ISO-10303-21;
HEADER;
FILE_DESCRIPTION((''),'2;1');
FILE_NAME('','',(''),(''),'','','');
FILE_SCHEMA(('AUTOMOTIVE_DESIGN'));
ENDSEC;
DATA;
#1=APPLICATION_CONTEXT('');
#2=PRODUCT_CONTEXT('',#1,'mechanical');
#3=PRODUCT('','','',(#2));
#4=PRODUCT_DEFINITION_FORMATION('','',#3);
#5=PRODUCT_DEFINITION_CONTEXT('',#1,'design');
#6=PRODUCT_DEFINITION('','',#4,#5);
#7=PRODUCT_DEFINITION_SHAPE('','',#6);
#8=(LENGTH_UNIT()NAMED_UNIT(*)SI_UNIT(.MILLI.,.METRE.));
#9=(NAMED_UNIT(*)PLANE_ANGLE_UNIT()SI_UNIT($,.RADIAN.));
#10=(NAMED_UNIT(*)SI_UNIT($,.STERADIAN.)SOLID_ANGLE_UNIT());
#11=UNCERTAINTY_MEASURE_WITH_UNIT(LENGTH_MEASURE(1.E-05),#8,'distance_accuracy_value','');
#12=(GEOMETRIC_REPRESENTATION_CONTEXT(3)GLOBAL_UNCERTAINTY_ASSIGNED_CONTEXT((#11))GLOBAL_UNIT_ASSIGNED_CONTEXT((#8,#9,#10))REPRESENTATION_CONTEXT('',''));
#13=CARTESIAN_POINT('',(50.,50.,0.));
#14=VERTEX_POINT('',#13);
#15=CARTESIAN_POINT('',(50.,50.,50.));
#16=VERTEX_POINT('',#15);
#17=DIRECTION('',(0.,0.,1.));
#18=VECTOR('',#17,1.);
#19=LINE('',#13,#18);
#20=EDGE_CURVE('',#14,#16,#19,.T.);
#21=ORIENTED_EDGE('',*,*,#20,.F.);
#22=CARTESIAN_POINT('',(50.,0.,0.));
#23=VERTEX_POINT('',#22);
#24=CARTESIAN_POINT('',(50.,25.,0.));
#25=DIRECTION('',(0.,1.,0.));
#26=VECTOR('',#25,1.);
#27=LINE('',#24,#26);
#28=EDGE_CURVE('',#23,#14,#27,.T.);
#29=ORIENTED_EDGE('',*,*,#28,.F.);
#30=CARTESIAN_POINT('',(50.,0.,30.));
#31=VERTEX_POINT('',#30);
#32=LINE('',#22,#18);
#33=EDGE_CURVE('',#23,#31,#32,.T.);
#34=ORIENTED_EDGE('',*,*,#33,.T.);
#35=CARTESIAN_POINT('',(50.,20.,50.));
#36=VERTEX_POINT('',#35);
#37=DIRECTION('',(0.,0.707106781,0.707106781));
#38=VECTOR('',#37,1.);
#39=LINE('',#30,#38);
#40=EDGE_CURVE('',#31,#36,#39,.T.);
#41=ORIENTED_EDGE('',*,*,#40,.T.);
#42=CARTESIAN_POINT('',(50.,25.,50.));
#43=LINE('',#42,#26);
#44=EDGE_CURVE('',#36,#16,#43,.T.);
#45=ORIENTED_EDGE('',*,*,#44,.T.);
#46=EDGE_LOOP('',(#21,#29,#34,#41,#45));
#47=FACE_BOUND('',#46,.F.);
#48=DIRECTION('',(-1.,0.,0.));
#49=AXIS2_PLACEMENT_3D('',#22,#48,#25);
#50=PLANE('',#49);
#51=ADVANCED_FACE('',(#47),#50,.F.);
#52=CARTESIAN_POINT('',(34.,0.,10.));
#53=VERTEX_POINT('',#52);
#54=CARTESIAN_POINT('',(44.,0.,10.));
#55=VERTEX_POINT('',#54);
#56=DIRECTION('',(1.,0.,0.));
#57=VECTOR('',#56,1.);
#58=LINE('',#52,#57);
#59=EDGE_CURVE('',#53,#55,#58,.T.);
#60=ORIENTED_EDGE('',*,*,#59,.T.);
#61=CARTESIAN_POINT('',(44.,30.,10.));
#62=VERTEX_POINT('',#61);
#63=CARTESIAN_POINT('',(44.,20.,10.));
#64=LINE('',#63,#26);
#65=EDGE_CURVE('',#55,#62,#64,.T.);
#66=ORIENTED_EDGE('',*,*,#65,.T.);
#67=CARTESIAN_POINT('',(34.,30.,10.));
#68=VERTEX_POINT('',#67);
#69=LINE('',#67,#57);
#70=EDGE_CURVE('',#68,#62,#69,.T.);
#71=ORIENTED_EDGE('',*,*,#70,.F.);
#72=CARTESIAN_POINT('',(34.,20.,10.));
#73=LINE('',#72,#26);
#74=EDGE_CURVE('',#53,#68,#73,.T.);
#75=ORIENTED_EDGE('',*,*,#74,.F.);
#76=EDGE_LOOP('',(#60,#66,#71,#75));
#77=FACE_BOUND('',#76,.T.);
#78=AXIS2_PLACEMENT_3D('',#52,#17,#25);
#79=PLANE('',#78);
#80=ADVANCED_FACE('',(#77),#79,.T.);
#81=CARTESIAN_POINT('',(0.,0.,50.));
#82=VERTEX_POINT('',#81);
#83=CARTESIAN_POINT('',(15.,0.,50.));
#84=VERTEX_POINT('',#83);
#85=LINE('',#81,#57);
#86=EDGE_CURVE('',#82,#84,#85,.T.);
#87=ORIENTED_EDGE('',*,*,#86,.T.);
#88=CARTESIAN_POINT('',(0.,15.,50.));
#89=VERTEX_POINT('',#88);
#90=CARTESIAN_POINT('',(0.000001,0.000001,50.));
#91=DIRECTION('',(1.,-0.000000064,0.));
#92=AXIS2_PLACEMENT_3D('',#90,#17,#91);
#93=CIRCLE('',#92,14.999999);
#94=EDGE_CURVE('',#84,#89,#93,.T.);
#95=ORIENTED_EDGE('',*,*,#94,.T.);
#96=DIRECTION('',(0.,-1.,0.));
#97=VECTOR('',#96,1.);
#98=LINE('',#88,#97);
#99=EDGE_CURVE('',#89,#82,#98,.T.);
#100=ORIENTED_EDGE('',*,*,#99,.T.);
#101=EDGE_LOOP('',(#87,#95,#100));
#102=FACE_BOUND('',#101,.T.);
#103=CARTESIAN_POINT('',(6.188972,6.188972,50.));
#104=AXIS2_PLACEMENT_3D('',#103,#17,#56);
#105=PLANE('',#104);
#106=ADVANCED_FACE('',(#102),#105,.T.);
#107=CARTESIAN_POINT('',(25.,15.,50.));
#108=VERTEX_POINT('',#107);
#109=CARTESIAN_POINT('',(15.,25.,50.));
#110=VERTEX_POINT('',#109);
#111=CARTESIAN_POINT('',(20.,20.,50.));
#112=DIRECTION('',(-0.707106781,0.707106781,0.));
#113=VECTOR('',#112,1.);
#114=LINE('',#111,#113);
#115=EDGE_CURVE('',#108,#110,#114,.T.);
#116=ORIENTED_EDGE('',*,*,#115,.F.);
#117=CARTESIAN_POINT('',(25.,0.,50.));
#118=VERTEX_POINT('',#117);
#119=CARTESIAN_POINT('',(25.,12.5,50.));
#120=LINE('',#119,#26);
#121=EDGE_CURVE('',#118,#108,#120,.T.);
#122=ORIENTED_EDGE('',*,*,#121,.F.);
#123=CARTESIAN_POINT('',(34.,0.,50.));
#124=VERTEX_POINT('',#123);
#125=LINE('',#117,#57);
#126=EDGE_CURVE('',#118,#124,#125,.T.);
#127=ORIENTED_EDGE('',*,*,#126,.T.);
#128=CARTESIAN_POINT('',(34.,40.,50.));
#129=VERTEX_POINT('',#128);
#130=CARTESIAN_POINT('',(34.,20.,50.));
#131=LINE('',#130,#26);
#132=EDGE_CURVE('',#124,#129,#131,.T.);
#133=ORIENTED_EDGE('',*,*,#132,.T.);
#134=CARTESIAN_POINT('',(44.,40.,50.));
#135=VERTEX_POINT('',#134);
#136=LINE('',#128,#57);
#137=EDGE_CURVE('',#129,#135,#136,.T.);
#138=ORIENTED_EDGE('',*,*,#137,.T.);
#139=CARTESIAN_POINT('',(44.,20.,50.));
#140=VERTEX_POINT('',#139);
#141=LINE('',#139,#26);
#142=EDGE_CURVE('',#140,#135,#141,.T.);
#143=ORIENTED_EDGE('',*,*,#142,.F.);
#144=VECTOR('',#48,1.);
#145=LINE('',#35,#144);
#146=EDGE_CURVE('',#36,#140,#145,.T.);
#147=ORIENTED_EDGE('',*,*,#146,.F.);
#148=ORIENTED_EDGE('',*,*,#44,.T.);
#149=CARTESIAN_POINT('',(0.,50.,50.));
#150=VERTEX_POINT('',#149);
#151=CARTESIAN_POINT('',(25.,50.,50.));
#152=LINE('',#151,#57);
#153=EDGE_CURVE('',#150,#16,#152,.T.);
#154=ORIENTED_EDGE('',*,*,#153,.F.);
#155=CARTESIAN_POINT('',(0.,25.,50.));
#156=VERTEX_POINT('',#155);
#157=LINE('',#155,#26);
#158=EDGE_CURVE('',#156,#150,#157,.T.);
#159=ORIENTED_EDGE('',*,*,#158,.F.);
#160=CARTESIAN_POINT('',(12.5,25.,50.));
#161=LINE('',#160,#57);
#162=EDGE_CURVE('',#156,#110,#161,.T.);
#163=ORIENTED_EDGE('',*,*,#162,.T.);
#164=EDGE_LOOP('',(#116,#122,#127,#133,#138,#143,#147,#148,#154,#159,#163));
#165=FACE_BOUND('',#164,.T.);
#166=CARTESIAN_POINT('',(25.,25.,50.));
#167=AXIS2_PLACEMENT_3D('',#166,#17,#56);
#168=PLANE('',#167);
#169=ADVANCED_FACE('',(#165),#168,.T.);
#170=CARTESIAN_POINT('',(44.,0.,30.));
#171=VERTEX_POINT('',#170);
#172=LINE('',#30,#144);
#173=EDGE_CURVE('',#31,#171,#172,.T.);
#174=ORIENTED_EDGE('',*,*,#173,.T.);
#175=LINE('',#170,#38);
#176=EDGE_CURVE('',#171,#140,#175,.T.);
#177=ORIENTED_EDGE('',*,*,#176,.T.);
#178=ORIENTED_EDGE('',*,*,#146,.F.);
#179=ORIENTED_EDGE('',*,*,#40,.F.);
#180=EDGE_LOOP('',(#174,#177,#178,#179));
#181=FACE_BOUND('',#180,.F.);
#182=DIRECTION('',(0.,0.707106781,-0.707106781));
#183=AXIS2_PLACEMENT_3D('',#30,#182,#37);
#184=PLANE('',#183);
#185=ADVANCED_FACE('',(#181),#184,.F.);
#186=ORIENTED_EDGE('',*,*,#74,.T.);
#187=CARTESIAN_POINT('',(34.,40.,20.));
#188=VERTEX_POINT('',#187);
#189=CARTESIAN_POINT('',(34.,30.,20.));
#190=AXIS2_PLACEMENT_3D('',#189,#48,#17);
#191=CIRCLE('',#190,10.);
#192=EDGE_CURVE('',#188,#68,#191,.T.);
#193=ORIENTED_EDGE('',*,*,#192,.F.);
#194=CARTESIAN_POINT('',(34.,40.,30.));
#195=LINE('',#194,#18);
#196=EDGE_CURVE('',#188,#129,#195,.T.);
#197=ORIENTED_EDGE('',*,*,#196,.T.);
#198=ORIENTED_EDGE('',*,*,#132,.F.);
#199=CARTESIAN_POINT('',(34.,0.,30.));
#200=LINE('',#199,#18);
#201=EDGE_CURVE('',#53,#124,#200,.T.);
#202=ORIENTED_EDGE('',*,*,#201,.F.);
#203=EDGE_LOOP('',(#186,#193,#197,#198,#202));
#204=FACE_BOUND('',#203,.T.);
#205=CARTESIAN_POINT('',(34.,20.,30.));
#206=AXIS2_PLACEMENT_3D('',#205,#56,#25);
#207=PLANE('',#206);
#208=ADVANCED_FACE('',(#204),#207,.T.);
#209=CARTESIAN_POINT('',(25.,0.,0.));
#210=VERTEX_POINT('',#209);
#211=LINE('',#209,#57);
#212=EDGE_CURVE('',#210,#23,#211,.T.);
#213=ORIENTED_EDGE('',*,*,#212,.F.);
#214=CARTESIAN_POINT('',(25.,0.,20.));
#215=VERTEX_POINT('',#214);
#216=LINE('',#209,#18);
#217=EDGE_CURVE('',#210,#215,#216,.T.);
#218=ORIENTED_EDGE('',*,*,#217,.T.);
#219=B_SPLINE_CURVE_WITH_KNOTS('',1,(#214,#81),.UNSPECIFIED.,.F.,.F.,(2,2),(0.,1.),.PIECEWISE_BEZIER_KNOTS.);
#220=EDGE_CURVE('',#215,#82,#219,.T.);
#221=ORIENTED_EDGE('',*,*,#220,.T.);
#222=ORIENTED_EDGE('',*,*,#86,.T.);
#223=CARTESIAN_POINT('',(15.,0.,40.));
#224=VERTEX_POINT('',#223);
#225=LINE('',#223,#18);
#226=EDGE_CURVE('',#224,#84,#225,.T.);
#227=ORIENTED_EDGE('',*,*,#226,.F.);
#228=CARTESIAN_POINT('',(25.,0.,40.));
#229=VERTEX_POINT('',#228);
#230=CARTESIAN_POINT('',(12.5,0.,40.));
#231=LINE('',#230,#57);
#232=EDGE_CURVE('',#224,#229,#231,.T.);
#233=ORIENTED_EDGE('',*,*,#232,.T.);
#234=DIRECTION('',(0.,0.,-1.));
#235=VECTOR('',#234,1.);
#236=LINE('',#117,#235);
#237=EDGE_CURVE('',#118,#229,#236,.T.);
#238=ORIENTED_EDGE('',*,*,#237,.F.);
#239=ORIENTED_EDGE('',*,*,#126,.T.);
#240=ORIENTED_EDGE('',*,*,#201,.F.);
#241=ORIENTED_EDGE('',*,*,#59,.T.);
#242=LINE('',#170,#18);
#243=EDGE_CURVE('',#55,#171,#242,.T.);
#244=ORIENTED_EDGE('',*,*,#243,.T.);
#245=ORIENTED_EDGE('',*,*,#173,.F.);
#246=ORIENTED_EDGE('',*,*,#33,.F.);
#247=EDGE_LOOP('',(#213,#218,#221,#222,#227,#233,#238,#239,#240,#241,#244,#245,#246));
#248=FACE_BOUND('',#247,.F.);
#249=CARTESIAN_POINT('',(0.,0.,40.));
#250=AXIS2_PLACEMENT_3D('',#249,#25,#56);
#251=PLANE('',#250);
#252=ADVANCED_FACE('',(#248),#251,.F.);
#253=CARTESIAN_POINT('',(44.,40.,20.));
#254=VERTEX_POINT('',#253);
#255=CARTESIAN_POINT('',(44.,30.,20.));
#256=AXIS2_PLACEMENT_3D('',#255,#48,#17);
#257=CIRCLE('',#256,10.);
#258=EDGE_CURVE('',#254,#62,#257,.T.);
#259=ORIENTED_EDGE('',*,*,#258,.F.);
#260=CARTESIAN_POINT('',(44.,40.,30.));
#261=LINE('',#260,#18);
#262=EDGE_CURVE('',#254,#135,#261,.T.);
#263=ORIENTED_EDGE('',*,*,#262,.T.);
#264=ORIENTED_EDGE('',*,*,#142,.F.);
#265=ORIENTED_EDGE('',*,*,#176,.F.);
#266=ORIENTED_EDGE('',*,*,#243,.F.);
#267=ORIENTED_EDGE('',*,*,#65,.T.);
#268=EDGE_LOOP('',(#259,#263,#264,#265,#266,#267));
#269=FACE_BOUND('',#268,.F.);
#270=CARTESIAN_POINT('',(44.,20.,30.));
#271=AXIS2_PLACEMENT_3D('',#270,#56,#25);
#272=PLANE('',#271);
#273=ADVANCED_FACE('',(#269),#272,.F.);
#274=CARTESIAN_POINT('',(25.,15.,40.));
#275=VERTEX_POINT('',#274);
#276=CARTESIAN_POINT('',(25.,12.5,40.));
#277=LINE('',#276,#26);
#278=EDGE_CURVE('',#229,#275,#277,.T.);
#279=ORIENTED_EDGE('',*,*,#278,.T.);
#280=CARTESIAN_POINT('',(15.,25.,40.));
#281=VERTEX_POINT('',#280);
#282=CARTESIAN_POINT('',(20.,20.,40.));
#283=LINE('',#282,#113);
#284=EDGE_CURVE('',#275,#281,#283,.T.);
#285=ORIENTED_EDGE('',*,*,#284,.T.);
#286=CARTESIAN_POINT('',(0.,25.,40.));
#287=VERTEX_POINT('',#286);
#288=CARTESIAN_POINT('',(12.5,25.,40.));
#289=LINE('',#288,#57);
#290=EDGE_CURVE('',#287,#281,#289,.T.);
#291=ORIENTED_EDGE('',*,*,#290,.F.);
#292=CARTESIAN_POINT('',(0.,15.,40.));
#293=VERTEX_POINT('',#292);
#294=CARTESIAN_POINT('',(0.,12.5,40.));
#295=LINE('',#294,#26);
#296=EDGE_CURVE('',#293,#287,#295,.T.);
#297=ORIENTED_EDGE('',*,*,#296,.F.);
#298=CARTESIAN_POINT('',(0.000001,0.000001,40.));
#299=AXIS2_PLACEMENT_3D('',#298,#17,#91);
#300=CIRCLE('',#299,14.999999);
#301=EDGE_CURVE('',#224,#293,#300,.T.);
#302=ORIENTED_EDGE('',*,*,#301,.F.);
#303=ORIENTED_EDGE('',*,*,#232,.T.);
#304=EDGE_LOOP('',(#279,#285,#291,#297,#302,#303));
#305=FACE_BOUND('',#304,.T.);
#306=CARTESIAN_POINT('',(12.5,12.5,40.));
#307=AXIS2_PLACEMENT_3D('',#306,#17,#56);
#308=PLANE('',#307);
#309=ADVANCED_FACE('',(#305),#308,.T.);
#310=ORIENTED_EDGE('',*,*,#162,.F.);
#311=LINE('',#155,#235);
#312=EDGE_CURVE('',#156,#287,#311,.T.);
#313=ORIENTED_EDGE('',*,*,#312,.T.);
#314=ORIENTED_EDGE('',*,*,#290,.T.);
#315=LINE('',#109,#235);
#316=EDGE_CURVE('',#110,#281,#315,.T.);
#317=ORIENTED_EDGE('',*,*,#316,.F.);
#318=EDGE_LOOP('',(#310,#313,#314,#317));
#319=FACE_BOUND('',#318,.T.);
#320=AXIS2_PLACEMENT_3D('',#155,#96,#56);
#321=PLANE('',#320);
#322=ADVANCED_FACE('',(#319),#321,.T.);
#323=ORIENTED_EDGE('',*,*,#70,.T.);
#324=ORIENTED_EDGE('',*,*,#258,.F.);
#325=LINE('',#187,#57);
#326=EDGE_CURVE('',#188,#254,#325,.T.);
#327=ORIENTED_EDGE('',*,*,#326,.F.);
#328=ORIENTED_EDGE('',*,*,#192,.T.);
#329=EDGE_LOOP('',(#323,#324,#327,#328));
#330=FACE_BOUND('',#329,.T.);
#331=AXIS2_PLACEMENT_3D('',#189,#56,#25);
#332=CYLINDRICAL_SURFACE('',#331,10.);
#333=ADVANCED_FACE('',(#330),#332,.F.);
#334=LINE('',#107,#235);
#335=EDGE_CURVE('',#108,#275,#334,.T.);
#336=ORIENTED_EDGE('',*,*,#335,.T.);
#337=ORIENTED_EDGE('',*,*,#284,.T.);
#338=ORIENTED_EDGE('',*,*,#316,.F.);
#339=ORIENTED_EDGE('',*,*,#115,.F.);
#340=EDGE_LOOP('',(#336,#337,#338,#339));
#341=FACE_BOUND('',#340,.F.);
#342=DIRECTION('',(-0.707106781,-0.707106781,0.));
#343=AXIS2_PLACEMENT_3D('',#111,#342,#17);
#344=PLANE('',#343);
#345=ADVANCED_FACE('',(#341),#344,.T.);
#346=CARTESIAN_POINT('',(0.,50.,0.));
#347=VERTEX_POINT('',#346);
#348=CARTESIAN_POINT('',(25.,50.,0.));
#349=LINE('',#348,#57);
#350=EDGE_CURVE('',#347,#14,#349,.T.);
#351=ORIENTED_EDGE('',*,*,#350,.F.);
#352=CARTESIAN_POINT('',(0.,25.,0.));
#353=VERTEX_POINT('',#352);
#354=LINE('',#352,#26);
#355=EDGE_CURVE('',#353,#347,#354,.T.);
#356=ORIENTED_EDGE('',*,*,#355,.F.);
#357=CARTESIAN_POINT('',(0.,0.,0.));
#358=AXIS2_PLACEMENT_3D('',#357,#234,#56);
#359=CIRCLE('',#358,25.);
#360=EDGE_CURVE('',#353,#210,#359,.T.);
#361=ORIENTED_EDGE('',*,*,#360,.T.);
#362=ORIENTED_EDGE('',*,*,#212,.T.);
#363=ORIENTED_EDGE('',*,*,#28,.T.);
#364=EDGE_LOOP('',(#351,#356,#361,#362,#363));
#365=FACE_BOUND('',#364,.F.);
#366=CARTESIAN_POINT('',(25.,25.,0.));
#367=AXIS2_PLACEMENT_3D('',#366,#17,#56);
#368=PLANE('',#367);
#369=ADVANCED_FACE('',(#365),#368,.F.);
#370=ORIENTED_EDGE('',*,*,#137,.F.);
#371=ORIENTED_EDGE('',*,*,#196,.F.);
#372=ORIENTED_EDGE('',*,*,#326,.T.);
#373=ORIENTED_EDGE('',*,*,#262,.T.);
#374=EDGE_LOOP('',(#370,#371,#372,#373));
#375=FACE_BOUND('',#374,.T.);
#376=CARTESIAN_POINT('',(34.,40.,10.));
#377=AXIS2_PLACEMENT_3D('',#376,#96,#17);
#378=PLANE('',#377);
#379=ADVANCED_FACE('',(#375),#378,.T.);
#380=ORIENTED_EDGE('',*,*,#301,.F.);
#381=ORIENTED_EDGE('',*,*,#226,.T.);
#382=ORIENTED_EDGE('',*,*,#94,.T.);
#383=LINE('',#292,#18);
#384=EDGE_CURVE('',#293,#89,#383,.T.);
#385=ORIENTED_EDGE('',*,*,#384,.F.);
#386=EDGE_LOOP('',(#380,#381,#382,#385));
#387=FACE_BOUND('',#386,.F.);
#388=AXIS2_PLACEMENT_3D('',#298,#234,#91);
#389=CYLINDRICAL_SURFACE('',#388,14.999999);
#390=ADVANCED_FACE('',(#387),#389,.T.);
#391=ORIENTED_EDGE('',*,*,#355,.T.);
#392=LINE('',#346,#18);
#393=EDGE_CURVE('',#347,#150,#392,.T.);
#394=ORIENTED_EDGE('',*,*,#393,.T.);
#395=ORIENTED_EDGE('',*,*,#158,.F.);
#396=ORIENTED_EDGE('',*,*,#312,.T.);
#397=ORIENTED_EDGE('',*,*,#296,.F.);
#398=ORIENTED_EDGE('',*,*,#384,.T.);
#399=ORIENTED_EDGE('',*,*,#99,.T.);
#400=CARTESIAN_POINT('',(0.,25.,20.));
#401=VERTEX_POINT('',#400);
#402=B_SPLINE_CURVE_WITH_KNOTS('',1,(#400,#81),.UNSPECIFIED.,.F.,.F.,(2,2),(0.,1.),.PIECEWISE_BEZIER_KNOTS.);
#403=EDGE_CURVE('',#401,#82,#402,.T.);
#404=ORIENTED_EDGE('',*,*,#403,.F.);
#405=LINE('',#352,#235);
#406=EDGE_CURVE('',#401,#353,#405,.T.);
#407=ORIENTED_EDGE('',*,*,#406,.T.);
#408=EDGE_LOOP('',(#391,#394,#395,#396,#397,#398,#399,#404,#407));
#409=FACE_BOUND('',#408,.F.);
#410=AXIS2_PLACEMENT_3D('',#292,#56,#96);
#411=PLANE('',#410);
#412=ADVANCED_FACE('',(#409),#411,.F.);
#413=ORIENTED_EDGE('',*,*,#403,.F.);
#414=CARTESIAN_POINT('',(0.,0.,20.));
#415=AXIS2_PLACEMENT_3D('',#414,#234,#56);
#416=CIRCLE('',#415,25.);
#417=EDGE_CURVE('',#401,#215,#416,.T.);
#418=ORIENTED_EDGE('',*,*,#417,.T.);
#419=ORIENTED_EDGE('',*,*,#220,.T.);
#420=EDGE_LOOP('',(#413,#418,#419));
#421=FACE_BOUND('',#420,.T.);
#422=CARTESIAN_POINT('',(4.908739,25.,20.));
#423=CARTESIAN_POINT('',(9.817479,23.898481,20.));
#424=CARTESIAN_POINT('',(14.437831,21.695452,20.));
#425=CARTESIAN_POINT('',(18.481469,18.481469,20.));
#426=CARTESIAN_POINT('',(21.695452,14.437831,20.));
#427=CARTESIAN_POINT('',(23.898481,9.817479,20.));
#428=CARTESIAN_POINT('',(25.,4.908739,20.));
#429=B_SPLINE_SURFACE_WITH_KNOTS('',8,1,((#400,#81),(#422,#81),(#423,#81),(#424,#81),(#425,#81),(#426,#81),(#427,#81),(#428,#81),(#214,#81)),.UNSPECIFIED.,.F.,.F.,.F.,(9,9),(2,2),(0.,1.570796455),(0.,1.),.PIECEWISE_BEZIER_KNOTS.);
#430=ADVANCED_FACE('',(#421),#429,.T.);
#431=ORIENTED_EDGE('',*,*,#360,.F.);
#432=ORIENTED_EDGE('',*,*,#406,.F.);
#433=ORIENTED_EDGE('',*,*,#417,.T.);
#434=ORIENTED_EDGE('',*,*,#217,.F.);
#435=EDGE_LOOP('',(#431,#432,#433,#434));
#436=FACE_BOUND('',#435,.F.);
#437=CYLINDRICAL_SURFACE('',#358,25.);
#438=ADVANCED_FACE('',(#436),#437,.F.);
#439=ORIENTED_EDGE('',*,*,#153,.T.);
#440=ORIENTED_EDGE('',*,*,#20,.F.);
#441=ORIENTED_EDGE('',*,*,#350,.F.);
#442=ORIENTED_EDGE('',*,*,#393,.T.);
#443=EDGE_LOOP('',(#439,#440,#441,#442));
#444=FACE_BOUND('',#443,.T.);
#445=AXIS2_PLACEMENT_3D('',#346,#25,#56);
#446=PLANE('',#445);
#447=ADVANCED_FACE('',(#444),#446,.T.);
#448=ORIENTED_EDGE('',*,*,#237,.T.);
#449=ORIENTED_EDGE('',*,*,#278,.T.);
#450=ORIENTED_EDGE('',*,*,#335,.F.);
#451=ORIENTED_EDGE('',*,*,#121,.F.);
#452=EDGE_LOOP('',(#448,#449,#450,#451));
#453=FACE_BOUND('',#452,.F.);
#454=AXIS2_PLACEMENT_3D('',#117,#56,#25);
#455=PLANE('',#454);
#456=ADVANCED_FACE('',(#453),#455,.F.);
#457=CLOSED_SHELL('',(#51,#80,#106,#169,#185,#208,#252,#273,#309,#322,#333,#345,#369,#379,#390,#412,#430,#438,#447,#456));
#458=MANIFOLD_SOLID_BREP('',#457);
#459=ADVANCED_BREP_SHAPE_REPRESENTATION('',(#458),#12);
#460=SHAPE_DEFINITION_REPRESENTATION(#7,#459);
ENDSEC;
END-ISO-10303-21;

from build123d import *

# Parameters (mm, degrees)
F0_W      = 50
F0_H      = 50
F1_DEPTH  = 50
F2_R      = 25
F3_DEPTH  = 20
F5_W      = 40
F5_H      = 40
F6_DEPTH  = 10
F7_R      = 10
F9_DEPTH  = 6
F10_W     = 25
F10_H     = 25
F11_DEPTH = 10
F12_SIZE  = 10
F14_DEPTH = 10


with BuildPart() as f1:
    # F0 (on Top) → F1 (new body)
    with BuildSketch(Plane.XY):
        with Locations((25, 25)):
            Rectangle(F0_W, F0_H)
    extrude(amount=F1_DEPTH)

    # F2 (on face) → F3 (cut)
    with BuildSketch(Plane(origin=(0, 0, 0), x_dir=(1, 0, 0), z_dir=(0, 0, -1))):
        Circle(F2_R)
    extrude(amount=-F3_DEPTH, mode=Mode.SUBTRACT)

    # F5 (on offset) → F6 (cut)
    with BuildSketch(Plane.YZ.offset(34)):
        with Locations((20, 30)):
            Rectangle(F5_W, F5_H)
    extrude(amount=F6_DEPTH, mode=Mode.SUBTRACT)

    # F7
    f7_edges = [f1.edges().sort_by_distance(p)[0] for p in [
        (39, 40, 10),
    ]]
    fillet(f7_edges, radius=F7_R)

    # F8 (on face) → F9 (cut)
    with BuildSketch(Plane.YZ.offset(50)):
        Polygon((20, 50), (0, 50), (0, 30), align=None)
    extrude(amount=-F9_DEPTH, mode=Mode.SUBTRACT)

    # F10 (on face) → F11 (cut)
    with BuildSketch(Plane.XY.offset(50)):
        with Locations((12.5, 12.5)):
            Rectangle(F10_W, F10_H)
    extrude(amount=-F11_DEPTH, mode=Mode.SUBTRACT)

    # F12
    f12_edges = [f1.edges().sort_by_distance(p)[0] for p in [
        (25, 25, 45),
    ]]
    chamfer(f12_edges, length=F12_SIZE)

    # F13 (on face) → F14 (join)
    with BuildSketch(Plane.XY.offset(40)):
        with BuildLine():
            Line((0, 0), (15, 0))
            ThreePointArc((15, 0), (10.606602, 10.606602), (0, 15))
            Line((0, 15), (0, 0))
        make_face()
    extrude(amount=F14_DEPTH)

    # F3_face (on face) → F16 section 0
    with BuildSketch(Plane(origin=(10.61033, 10.61033, 20), x_dir=(1, 0, 0), z_dir=(0, 0, -1)), mode=Mode.PRIVATE) as f16_s0:
        with BuildLine():
            ThreePointArc((-10.61033, -14.38967), (7.06734, -7.06734), (14.38967, 10.61033))
            Line((14.38967, 10.61033), (-10.61033, 10.61033))
            Line((-10.61033, 10.61033), (-10.61033, -14.38967))
        make_face()
    loft([f16_s0.sketch, Vertex(0, 0, 50)], mode=Mode.SUBTRACT)


solid = f1.part
